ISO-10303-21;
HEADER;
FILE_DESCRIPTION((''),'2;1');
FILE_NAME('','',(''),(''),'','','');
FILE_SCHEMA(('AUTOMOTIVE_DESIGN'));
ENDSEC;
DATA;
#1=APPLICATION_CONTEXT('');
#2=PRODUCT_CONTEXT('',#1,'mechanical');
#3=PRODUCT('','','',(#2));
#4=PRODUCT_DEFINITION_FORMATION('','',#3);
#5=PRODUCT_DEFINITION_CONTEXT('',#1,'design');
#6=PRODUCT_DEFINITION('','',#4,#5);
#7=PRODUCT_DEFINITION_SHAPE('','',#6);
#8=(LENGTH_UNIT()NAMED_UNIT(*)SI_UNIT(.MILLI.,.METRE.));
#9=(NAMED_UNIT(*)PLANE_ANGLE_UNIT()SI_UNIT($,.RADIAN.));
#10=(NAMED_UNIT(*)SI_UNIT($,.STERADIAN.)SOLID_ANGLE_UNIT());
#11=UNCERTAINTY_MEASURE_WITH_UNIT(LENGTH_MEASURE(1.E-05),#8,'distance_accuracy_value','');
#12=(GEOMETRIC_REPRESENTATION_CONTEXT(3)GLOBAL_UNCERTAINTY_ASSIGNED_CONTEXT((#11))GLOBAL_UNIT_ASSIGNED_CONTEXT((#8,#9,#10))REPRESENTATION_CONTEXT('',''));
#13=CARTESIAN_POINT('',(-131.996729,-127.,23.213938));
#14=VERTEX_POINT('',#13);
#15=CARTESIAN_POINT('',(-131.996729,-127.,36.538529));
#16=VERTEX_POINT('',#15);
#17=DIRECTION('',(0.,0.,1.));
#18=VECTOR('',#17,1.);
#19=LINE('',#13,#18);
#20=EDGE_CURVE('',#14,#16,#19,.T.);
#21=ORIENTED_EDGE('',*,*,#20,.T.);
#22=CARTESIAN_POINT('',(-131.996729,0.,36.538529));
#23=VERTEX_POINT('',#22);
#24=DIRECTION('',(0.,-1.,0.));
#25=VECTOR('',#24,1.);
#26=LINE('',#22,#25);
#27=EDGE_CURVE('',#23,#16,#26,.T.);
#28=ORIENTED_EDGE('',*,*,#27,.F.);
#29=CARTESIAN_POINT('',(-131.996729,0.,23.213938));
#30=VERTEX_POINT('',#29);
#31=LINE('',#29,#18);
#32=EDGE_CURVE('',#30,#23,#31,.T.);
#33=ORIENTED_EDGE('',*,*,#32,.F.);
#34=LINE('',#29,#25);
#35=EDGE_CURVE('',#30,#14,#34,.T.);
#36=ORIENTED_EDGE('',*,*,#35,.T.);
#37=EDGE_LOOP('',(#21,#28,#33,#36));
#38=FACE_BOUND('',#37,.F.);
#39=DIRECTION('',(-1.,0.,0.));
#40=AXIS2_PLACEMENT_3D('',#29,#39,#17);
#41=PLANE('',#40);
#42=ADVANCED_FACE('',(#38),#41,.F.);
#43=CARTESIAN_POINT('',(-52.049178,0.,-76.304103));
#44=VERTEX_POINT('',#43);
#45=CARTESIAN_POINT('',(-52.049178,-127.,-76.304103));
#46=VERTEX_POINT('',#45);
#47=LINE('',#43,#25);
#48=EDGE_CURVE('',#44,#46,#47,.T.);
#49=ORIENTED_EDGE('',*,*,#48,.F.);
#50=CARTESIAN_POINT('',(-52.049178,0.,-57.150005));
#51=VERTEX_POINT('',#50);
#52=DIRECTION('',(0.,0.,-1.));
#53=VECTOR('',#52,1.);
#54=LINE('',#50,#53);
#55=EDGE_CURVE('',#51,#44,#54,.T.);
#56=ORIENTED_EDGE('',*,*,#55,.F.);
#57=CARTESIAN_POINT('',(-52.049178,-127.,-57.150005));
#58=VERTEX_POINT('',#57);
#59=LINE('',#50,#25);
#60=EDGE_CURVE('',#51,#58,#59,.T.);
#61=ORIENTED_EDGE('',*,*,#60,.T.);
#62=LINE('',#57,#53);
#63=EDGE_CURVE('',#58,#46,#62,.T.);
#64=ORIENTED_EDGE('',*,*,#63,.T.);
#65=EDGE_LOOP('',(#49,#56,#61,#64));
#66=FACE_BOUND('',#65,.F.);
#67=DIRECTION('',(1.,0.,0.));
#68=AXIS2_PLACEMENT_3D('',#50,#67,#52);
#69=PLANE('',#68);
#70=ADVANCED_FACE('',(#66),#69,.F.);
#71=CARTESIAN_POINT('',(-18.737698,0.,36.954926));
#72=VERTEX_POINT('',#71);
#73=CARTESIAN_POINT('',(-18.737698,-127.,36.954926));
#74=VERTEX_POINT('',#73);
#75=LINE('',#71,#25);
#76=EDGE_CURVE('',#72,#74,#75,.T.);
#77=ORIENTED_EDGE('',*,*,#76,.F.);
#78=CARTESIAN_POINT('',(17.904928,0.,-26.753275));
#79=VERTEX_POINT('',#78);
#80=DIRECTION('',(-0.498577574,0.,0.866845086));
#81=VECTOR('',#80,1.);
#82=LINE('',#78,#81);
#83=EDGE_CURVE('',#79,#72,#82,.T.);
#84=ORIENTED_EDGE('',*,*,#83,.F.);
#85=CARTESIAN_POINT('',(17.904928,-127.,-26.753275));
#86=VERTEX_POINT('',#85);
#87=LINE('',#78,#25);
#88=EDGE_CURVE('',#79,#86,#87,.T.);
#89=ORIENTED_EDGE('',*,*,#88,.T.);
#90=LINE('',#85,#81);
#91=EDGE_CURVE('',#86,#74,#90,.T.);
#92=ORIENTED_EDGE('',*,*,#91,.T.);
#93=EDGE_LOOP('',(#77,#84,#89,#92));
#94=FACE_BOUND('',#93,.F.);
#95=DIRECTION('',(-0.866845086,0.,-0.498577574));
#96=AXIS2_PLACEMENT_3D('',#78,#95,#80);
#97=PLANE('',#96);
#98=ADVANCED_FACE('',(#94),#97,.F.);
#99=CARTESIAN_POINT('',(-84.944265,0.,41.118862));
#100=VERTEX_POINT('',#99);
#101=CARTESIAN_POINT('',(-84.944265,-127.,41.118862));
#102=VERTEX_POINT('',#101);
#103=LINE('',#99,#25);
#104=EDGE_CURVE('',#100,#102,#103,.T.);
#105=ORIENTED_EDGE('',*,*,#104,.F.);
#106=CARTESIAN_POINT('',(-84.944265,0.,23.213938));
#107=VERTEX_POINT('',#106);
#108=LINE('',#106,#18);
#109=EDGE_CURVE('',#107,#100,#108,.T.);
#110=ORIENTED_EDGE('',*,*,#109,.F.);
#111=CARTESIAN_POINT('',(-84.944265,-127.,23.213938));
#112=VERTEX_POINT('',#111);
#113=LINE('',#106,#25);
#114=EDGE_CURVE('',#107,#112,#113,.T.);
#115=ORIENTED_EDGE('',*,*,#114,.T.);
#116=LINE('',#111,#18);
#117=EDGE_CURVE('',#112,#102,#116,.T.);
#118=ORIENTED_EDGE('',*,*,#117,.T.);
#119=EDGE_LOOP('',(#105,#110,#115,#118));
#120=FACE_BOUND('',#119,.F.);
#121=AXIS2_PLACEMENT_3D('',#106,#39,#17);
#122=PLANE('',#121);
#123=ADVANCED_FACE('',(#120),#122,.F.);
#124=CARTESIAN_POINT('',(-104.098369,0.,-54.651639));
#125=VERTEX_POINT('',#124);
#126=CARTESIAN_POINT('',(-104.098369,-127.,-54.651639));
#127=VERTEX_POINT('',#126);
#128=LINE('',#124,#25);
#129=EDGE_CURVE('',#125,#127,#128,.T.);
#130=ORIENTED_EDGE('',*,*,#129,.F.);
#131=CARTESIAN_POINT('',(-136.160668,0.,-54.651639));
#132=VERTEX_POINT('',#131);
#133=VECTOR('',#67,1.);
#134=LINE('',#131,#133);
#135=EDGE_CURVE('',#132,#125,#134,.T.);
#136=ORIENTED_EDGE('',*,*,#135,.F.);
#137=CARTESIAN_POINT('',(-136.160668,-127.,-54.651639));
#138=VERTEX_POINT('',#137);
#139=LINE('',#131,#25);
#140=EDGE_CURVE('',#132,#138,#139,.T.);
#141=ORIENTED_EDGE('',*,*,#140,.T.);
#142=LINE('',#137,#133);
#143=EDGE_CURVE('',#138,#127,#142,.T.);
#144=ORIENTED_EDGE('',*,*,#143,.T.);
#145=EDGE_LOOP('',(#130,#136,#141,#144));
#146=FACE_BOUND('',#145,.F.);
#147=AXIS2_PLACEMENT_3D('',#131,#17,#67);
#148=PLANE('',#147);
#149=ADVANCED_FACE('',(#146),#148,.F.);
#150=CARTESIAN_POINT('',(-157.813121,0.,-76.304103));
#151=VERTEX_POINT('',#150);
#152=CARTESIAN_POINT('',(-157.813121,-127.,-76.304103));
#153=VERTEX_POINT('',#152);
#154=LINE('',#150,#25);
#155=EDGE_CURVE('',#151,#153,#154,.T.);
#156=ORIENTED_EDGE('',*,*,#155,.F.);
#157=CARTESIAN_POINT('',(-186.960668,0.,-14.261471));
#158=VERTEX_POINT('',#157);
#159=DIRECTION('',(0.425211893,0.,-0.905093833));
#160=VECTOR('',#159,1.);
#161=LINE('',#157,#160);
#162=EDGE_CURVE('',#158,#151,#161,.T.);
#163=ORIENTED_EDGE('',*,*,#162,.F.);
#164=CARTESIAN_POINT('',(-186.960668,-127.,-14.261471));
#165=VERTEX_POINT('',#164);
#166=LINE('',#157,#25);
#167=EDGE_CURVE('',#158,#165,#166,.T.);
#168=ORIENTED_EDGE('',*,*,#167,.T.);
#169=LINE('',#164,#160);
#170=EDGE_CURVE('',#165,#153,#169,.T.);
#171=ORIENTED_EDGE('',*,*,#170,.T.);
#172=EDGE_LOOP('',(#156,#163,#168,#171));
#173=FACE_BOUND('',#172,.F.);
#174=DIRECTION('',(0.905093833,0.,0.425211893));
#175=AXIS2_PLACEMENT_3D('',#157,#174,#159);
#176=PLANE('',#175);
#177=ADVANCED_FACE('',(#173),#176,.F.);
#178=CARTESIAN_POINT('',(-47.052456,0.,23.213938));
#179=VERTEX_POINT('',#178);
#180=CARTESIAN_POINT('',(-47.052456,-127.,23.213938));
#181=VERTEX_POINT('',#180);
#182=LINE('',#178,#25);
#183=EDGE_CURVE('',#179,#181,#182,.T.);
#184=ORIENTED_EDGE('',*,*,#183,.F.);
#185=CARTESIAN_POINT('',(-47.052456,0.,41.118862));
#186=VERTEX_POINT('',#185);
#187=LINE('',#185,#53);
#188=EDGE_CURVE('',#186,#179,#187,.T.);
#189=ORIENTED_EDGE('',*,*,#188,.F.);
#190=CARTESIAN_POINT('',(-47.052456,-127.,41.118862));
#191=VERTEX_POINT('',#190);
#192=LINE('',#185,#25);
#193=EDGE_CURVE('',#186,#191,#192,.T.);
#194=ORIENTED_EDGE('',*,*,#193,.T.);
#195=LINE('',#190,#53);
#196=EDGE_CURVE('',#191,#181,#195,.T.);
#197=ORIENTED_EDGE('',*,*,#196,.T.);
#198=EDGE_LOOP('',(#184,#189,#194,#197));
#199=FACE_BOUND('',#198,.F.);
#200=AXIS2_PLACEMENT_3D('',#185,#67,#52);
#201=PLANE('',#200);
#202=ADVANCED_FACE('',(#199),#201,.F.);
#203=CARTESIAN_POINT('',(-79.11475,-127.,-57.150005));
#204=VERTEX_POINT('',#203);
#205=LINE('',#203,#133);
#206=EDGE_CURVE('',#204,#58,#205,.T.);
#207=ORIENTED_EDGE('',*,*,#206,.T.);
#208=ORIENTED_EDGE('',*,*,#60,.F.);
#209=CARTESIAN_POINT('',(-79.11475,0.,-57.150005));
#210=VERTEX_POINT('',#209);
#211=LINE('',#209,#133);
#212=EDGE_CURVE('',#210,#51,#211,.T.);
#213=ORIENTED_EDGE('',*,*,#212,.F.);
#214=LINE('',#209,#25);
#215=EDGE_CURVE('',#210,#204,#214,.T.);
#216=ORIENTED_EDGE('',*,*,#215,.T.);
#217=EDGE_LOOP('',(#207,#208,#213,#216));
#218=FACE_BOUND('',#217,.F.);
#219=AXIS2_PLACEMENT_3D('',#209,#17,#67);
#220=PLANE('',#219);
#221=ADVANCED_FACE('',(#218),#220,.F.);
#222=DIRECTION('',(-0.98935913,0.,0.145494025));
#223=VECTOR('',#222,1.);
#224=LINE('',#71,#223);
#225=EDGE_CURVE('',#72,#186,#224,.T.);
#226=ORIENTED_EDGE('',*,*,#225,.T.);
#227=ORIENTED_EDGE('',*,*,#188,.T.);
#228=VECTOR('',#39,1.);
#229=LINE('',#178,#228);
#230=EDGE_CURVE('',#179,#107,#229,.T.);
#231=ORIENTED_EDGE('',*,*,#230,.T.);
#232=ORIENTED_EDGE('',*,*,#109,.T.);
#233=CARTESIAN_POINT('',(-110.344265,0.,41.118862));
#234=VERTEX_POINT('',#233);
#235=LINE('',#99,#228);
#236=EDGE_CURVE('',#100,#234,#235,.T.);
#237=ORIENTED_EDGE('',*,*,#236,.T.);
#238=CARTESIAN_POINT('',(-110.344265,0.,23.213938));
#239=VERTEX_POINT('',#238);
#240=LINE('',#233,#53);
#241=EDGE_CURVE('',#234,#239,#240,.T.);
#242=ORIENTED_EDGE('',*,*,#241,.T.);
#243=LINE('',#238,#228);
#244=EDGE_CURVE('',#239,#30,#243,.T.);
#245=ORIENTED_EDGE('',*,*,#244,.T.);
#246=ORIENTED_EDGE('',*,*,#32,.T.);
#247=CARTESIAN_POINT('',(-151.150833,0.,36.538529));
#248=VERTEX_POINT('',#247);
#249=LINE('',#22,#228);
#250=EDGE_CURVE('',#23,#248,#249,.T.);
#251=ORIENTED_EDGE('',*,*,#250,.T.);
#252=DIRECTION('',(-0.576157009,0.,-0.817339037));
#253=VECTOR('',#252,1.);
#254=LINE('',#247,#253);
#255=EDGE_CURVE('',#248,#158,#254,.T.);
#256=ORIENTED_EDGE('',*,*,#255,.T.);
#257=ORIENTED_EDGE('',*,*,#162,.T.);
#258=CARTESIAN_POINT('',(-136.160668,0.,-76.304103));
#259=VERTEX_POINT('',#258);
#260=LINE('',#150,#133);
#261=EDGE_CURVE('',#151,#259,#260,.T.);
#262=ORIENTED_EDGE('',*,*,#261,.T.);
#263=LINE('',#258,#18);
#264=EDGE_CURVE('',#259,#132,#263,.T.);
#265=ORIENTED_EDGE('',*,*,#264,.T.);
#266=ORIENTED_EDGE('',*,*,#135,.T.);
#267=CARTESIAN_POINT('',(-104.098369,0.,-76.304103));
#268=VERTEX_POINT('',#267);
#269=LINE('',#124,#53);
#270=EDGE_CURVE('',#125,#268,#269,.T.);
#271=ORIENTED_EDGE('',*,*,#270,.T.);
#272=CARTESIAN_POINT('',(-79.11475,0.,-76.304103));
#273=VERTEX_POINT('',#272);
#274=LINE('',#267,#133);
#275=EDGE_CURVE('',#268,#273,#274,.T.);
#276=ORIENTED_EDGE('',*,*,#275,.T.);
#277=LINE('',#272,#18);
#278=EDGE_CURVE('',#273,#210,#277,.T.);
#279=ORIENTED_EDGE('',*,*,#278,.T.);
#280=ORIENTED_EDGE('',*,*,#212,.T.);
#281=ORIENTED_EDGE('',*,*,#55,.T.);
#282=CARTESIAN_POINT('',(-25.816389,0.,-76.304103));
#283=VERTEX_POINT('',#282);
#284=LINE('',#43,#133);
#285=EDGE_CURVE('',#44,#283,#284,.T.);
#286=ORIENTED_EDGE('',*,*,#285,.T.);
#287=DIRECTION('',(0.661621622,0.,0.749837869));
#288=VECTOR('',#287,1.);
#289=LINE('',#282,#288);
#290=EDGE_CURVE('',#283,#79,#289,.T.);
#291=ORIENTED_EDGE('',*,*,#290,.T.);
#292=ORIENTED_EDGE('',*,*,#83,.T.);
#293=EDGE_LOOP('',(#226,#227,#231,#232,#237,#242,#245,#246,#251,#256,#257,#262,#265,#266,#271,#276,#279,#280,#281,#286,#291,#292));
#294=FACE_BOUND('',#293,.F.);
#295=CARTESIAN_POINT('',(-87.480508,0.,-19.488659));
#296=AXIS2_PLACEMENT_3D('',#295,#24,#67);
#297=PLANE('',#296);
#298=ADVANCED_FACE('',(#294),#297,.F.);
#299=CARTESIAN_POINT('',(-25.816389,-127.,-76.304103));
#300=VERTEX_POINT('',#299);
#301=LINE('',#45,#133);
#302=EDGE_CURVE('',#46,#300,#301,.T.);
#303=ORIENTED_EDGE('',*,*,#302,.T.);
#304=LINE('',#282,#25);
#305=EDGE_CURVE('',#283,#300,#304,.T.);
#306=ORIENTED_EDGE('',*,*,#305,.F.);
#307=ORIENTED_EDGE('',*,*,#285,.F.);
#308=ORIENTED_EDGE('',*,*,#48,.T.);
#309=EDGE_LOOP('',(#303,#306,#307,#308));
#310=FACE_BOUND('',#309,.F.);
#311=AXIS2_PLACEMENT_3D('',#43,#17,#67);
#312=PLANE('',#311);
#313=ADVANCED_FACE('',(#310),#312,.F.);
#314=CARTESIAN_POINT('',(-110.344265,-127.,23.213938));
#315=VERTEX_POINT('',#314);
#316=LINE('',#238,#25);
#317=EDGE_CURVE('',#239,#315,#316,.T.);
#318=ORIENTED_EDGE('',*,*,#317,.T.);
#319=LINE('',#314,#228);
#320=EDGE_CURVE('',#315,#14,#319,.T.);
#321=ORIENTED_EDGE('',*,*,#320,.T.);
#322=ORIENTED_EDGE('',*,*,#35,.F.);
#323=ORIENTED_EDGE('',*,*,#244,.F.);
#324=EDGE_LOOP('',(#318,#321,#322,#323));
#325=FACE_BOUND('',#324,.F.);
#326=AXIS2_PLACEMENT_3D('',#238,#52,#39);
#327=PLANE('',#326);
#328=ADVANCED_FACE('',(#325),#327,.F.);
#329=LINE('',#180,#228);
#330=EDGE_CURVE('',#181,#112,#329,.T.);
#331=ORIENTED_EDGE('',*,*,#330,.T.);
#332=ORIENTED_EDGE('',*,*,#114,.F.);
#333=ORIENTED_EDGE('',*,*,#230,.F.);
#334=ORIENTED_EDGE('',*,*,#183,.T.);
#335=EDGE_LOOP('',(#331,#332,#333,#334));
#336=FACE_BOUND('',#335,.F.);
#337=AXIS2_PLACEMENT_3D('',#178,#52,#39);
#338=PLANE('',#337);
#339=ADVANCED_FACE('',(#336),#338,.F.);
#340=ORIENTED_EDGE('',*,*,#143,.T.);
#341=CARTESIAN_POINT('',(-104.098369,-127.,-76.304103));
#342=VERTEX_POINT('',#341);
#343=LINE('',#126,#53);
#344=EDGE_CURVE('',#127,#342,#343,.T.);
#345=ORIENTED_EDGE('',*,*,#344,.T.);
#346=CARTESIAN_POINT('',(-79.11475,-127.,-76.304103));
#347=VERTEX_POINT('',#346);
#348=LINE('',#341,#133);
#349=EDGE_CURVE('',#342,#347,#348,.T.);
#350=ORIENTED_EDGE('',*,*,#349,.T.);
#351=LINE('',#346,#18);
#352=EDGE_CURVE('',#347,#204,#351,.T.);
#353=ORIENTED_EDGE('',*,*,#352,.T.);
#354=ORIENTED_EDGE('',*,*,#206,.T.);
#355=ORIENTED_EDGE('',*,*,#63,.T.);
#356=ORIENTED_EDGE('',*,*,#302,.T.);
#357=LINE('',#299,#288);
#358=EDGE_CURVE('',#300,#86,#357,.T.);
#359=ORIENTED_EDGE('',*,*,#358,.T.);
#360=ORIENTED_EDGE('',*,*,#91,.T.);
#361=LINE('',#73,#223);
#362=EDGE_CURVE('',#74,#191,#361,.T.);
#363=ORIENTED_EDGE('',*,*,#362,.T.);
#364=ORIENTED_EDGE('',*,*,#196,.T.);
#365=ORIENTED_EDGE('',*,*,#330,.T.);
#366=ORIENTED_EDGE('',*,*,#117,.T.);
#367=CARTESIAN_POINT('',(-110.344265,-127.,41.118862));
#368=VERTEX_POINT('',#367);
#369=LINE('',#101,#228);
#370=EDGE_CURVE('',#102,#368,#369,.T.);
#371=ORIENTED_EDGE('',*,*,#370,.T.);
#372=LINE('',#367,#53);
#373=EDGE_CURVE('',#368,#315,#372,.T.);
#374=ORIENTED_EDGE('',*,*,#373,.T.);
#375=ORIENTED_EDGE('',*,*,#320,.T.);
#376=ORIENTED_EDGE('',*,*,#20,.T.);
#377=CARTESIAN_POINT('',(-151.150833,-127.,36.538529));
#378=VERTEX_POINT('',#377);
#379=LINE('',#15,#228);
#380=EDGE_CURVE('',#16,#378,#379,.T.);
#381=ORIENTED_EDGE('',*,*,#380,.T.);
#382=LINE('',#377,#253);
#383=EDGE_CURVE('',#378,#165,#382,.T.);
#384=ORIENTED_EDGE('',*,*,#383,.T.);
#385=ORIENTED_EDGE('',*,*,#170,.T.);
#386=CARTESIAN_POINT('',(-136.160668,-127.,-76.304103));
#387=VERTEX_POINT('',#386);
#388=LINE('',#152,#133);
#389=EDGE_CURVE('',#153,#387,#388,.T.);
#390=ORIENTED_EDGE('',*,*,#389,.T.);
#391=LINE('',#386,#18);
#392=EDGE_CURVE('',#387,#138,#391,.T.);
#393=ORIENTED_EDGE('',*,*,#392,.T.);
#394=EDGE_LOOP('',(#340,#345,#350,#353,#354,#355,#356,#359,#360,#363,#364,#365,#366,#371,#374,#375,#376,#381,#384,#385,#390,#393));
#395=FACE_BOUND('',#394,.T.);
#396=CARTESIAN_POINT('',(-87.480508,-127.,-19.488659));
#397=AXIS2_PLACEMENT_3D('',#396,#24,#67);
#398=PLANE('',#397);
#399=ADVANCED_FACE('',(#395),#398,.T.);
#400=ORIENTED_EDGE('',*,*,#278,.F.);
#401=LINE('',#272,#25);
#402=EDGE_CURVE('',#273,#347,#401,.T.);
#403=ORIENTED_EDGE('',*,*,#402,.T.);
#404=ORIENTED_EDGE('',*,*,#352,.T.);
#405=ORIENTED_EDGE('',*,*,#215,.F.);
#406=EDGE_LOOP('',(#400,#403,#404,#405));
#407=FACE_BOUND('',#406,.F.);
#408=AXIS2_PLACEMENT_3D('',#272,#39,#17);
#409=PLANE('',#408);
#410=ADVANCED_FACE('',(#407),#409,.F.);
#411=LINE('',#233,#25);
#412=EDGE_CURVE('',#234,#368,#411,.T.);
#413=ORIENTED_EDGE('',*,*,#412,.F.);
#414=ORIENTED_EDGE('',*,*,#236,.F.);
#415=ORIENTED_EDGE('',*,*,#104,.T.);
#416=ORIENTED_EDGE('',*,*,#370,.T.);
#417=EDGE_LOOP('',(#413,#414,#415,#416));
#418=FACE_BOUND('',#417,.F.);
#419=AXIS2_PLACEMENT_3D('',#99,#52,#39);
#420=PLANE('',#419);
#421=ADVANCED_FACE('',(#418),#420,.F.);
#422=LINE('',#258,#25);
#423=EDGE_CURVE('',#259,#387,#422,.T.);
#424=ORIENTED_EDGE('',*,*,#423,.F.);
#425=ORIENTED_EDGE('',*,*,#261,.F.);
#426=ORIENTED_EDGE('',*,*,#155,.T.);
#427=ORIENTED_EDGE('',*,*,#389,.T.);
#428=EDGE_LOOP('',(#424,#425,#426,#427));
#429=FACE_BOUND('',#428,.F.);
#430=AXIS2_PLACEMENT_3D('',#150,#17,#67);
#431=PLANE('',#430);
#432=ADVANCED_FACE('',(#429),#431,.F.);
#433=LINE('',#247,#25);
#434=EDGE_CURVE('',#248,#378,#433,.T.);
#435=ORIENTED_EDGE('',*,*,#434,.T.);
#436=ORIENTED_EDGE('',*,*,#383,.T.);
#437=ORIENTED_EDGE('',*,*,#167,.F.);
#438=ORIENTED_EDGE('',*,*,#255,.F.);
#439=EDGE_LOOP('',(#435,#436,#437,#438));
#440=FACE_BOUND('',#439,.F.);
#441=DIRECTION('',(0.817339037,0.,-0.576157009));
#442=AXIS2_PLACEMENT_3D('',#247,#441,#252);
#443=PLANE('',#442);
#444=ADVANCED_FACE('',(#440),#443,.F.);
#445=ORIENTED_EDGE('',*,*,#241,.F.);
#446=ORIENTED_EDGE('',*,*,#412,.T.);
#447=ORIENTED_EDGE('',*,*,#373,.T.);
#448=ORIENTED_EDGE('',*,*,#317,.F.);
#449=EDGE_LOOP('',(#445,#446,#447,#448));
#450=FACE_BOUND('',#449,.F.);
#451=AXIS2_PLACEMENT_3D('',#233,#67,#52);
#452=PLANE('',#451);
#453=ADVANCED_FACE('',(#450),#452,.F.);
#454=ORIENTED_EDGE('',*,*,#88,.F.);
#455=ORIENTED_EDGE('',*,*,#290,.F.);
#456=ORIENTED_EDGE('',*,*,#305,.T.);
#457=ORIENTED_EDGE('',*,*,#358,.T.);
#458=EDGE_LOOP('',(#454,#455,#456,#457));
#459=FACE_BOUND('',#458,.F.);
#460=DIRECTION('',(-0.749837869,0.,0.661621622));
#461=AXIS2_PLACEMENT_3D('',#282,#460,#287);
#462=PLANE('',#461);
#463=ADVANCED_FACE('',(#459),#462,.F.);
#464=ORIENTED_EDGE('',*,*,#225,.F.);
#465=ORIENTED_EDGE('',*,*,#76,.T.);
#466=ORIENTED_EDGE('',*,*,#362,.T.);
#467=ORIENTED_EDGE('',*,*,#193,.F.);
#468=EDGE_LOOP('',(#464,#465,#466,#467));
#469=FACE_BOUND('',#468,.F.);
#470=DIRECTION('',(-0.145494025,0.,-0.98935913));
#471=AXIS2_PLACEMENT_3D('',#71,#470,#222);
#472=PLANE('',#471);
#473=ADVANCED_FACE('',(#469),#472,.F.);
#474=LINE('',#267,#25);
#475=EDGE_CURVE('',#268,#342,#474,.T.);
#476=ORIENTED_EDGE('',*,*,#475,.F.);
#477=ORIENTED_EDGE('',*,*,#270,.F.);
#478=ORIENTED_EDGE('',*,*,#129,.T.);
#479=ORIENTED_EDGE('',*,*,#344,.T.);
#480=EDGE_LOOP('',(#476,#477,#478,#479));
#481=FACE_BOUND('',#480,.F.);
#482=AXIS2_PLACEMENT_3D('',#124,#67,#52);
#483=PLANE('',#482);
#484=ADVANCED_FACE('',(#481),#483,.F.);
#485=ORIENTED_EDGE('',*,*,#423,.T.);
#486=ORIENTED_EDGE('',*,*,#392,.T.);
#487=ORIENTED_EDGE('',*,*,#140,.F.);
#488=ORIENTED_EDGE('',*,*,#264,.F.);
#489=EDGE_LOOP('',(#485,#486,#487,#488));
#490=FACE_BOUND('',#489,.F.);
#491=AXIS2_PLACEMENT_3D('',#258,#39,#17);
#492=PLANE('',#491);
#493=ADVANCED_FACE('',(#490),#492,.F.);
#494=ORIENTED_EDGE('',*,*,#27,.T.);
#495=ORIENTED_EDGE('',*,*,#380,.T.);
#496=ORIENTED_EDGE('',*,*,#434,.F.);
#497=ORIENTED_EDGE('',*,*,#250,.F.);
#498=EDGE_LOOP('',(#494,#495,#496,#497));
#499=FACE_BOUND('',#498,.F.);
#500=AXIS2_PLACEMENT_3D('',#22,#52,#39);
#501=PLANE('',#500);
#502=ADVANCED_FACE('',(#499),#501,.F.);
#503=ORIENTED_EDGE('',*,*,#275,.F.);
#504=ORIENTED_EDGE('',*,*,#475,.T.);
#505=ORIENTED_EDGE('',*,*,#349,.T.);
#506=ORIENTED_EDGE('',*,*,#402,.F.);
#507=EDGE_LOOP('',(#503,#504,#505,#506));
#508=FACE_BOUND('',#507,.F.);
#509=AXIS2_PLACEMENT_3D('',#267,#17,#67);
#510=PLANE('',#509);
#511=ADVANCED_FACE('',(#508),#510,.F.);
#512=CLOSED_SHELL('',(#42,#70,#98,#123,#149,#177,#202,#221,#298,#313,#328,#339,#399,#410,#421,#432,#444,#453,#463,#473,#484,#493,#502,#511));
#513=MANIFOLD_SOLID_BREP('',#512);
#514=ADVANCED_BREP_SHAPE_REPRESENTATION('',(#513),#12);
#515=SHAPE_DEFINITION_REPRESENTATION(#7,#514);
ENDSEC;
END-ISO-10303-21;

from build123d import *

# Parameters (mm, degrees)
F1_DEPTH = 127


with BuildPart() as f1:
    # F0 (on Front) → F1 (new body)
    with BuildSketch(Plane.XZ):
        Polygon((17.904928, -26.753275), (-18.737698, 36.954926), (-47.052456, 41.118862), (-47.052456, 23.213938), (-84.944265, 23.213938), (-84.944265, 41.118862), (-110.344265, 41.118862), (-110.344265, 23.213938), (-131.996729, 23.213938), (-131.996729, 36.538529), (-151.150833, 36.538529), (-186.960668, -14.261471), (-157.813121, -76.304103), (-136.160668, -76.304103), (-136.160668, -54.651639), (-104.098369, -54.651639), (-104.098369, -76.304103), (-79.11475, -76.304103), (-79.11475, -57.150005), (-52.049178, -57.150005), (-52.049178, -76.304103), (-25.816389, -76.304103), align=None)
    extrude(amount=F1_DEPTH)


solid = f1.part
